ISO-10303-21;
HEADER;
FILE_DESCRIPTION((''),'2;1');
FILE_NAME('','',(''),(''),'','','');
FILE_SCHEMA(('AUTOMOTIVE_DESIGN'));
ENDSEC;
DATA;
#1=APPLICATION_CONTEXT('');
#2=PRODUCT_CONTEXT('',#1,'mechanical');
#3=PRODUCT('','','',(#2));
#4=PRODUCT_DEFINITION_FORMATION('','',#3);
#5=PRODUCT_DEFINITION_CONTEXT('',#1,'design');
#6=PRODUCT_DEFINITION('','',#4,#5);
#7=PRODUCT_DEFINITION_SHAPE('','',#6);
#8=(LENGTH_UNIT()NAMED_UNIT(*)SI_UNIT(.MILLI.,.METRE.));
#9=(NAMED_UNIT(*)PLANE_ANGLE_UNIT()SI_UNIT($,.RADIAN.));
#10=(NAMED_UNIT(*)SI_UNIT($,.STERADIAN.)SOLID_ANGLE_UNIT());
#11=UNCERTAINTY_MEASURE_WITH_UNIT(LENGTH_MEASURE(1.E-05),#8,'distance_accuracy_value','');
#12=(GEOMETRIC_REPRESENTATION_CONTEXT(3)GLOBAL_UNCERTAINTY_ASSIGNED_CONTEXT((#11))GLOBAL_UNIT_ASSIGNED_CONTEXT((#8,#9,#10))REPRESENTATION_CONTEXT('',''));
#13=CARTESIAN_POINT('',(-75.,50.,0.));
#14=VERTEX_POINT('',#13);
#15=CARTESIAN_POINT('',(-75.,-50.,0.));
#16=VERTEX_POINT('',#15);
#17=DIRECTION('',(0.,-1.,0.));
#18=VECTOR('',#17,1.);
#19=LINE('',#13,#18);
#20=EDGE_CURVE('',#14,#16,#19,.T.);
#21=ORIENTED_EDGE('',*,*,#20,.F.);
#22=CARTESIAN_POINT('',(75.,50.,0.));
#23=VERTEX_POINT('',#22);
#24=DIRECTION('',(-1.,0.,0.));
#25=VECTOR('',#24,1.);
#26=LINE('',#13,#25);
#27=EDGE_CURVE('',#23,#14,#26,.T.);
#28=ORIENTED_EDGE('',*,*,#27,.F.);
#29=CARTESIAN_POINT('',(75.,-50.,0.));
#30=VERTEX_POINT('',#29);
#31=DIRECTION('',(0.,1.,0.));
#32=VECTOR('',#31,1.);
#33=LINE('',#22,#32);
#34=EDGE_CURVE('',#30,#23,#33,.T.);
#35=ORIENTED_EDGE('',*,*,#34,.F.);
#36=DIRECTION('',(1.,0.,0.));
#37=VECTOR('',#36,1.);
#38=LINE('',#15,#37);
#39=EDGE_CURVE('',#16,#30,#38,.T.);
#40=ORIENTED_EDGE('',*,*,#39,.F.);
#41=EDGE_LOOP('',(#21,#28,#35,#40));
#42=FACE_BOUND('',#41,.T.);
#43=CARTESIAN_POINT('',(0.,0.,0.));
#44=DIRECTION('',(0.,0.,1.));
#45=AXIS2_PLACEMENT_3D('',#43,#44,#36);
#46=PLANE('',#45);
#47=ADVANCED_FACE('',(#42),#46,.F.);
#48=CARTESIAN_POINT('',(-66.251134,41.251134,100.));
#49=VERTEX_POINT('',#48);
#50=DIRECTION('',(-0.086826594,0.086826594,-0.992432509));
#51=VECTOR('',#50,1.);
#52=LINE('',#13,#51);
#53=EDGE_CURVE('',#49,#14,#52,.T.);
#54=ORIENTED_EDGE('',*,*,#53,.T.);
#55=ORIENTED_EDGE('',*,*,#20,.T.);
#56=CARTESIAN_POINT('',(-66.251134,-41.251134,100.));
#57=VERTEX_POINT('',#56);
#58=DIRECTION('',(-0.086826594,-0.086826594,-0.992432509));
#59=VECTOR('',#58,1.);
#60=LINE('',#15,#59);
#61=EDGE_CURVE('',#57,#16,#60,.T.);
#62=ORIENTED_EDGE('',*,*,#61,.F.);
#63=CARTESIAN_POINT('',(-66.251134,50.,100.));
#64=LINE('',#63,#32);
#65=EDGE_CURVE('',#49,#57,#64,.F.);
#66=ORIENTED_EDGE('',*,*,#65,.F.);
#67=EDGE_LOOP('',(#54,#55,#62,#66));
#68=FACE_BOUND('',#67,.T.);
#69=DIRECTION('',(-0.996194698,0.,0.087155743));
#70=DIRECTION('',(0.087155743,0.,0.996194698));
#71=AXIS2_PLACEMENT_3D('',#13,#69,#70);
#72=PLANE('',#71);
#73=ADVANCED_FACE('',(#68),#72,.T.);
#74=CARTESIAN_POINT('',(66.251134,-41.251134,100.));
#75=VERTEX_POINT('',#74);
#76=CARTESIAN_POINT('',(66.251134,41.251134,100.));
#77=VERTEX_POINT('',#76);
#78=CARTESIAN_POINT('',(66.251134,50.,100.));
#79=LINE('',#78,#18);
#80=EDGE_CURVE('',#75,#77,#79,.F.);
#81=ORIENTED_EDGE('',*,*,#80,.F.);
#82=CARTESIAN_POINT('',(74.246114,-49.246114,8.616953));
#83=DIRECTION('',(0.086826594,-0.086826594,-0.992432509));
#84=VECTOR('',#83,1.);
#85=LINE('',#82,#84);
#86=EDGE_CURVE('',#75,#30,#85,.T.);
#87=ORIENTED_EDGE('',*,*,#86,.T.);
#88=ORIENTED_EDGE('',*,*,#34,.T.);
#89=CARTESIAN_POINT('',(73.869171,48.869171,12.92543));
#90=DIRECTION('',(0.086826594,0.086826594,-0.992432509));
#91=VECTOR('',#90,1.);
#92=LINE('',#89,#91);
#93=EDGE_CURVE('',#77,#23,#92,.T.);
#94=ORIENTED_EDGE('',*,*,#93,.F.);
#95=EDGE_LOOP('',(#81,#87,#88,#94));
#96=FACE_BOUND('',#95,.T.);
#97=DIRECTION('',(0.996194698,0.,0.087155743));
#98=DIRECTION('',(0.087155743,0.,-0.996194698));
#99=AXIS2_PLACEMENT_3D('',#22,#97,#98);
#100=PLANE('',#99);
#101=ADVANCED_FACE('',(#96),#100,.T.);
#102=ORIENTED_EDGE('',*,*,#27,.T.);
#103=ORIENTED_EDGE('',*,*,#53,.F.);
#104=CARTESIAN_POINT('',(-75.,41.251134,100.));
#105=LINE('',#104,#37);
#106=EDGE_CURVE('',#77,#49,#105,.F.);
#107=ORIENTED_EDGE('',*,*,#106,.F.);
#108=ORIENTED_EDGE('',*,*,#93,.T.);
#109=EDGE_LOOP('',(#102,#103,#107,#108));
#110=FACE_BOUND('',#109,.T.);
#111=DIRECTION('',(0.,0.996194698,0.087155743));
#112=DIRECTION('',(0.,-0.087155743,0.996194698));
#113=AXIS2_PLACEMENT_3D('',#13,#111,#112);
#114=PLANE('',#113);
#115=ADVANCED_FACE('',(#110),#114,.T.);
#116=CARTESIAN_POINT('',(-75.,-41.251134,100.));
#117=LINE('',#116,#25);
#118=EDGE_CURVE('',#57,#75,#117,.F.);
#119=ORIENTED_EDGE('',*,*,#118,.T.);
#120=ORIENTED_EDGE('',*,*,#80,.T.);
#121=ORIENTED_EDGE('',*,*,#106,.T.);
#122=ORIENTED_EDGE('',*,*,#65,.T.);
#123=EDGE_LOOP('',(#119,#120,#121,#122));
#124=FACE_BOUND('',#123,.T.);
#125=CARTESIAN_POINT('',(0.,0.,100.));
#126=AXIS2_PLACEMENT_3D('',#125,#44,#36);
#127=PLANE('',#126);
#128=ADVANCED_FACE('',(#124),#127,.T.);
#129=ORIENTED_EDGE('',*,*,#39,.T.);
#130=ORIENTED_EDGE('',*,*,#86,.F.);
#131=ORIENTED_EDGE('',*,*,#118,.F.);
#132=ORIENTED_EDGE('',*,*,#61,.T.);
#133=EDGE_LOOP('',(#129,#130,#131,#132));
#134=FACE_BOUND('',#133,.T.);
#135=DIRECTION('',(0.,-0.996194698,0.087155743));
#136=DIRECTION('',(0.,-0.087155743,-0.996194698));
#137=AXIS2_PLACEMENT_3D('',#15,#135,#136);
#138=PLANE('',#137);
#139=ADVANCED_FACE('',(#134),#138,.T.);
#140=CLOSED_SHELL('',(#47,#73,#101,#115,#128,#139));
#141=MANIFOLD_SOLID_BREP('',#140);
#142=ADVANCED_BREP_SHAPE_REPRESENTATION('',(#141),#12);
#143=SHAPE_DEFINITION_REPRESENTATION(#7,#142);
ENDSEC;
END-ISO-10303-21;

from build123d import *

# Parameters (mm, degrees)
SKETCH1_W           = 150
SKETCH1_H           = 100
BOSS_EXTRUDE1_DEPTH = 100
BOSS_EXTRUDE1_TAPER = 5


with BuildPart() as part:
    # Sketch1 → Boss-Extrude1 (new body)
    with BuildSketch(Plane.XY):
        Rectangle(SKETCH1_W, SKETCH1_H)
    extrude(amount=BOSS_EXTRUDE1_DEPTH, taper=BOSS_EXTRUDE1_TAPER)


solid = part.part
